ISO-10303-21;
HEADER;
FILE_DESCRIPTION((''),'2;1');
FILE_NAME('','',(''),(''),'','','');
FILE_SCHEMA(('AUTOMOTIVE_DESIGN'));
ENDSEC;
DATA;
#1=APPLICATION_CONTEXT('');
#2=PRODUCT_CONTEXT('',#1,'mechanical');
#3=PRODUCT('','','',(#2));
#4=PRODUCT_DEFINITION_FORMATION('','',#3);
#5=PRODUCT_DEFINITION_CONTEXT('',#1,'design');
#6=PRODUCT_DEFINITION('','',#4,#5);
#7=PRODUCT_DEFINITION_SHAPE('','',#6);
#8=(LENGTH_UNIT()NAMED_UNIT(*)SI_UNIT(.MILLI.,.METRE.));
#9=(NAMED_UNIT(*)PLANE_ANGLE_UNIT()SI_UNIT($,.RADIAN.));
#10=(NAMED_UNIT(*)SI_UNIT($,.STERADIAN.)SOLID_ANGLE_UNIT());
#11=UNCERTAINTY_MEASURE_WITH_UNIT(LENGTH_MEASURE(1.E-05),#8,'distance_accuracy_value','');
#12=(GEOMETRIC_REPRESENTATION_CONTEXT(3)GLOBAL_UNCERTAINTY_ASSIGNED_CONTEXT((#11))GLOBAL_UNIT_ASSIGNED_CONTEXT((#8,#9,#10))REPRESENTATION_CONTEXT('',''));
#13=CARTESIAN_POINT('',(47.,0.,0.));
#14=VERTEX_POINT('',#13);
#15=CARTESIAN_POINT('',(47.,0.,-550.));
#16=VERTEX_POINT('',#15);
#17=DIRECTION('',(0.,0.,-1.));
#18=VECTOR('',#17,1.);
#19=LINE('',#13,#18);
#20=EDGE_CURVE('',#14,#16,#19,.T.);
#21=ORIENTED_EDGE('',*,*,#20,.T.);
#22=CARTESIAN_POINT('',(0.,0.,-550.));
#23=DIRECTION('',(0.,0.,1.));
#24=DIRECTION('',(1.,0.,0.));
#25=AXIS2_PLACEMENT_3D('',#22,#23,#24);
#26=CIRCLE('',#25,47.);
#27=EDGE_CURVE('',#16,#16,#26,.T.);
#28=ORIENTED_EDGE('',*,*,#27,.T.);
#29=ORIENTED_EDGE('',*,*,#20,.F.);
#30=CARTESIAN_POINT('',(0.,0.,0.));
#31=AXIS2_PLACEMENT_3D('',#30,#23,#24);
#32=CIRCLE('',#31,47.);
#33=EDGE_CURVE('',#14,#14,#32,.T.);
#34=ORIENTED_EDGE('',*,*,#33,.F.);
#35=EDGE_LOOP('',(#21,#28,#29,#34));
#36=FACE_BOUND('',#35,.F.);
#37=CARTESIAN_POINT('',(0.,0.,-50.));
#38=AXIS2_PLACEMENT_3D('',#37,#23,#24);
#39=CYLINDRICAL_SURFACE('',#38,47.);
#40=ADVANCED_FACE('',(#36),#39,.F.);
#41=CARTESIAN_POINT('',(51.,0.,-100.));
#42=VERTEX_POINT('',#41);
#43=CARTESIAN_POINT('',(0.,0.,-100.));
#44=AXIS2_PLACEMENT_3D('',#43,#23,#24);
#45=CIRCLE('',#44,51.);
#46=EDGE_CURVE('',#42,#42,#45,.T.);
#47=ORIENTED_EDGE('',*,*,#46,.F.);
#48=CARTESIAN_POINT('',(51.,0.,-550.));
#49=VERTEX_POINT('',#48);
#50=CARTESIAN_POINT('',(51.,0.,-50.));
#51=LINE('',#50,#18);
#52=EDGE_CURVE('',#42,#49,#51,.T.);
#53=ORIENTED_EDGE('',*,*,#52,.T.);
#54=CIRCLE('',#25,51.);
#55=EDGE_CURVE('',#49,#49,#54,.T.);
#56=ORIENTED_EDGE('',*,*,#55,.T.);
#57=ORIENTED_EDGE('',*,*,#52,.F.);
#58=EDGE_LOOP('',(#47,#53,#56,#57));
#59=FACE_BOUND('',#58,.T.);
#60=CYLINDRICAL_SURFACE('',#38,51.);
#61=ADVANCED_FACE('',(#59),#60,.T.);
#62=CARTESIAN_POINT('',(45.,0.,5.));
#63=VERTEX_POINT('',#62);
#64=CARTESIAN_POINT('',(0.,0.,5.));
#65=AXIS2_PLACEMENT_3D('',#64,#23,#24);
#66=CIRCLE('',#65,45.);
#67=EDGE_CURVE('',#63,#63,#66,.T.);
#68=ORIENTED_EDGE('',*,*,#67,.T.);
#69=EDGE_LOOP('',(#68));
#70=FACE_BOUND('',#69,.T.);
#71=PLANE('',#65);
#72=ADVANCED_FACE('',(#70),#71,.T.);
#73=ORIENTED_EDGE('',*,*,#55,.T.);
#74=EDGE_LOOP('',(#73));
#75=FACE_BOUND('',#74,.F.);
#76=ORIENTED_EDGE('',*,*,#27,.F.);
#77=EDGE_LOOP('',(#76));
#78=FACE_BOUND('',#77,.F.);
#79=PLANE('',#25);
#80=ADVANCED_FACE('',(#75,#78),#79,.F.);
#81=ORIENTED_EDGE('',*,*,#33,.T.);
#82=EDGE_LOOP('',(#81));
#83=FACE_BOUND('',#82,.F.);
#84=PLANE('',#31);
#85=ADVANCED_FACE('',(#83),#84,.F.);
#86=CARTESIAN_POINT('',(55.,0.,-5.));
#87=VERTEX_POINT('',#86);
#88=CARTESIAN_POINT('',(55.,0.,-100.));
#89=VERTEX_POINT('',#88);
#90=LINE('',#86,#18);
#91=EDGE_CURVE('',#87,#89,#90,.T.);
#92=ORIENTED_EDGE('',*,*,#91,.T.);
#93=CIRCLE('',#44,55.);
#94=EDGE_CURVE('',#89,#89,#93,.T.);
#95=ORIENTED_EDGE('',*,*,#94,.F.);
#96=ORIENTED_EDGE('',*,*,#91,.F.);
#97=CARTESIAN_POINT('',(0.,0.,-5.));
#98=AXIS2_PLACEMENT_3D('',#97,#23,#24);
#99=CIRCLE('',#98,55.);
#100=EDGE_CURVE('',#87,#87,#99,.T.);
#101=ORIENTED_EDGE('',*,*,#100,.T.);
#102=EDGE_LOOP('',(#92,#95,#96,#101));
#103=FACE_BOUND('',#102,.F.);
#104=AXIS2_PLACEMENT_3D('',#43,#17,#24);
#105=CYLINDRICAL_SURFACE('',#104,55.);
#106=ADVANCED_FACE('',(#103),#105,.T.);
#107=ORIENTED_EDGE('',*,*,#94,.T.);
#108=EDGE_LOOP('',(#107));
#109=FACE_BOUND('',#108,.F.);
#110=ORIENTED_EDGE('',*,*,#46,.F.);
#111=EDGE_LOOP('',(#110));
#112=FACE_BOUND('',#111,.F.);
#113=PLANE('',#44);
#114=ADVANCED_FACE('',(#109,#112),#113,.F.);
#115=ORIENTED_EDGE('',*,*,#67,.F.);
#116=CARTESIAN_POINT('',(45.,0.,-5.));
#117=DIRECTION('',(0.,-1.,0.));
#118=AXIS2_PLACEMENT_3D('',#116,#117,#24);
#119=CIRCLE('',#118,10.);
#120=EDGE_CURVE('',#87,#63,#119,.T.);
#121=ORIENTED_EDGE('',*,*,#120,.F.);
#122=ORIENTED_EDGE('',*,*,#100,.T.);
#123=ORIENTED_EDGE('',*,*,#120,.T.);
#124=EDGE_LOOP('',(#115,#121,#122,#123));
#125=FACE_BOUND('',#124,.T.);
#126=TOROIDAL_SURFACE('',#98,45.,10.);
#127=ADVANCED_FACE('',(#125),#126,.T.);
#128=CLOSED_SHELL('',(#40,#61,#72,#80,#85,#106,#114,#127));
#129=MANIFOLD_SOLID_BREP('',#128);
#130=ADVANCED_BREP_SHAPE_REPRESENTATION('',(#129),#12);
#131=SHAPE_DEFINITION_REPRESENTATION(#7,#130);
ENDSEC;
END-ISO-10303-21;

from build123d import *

# Parameters (mm, degrees)
F0_R     = 55
F0_R_2   = 51
F0_R_3   = 47
F1_DEPTH = 5
F2_DEPTH = 50
F3_DEPTH = 100
F4_R     = 10
F5_DEPTH = 500
F6_DEPTH = 50


with BuildPart() as f1:
    # F0 (on Top) → F1 (new body)
    with BuildSketch(Plane.XY):
        Circle(F0_R)
        Circle(F0_R_2, mode=Mode.SUBTRACT)
        Circle(F0_R_2)
        Circle(F0_R_3, mode=Mode.SUBTRACT)
        Circle(F0_R_3)
    extrude(amount=F1_DEPTH)

    # F0 (on Top) → F2 (join)
    with BuildSketch(Plane.XY):
        Circle(F0_R_2)
        Circle(F0_R_3, mode=Mode.SUBTRACT)
    extrude(amount=-F2_DEPTH)

    # F0 (on Top) → F3 (join)
    with BuildSketch(Plane.XY):
        Circle(F0_R)
        Circle(F0_R_2, mode=Mode.SUBTRACT)
    extrude(amount=-F3_DEPTH)

    # F4
    f4_edges = [f1.edges().sort_by_distance(p)[0] for p in [
        (-55, 0, 5),
    ]]
    fillet(f4_edges, radius=F4_R)

    # F5 (add): a face of the model
    f5_faces = [f1.faces().sort_by_distance(p)[0] for p in [
        (-49.5575021664, 0, -50),
    ]]
    extrude(f5_faces, amount=F5_DEPTH)

    # F6 (add): a face of the model
    f6_faces = [f1.faces().sort_by_distance(p)[0] for p in [
        (-53.4443650814, 0, -100),
    ]]
    extrude(f6_faces, amount=-F6_DEPTH)


solid = f1.part
